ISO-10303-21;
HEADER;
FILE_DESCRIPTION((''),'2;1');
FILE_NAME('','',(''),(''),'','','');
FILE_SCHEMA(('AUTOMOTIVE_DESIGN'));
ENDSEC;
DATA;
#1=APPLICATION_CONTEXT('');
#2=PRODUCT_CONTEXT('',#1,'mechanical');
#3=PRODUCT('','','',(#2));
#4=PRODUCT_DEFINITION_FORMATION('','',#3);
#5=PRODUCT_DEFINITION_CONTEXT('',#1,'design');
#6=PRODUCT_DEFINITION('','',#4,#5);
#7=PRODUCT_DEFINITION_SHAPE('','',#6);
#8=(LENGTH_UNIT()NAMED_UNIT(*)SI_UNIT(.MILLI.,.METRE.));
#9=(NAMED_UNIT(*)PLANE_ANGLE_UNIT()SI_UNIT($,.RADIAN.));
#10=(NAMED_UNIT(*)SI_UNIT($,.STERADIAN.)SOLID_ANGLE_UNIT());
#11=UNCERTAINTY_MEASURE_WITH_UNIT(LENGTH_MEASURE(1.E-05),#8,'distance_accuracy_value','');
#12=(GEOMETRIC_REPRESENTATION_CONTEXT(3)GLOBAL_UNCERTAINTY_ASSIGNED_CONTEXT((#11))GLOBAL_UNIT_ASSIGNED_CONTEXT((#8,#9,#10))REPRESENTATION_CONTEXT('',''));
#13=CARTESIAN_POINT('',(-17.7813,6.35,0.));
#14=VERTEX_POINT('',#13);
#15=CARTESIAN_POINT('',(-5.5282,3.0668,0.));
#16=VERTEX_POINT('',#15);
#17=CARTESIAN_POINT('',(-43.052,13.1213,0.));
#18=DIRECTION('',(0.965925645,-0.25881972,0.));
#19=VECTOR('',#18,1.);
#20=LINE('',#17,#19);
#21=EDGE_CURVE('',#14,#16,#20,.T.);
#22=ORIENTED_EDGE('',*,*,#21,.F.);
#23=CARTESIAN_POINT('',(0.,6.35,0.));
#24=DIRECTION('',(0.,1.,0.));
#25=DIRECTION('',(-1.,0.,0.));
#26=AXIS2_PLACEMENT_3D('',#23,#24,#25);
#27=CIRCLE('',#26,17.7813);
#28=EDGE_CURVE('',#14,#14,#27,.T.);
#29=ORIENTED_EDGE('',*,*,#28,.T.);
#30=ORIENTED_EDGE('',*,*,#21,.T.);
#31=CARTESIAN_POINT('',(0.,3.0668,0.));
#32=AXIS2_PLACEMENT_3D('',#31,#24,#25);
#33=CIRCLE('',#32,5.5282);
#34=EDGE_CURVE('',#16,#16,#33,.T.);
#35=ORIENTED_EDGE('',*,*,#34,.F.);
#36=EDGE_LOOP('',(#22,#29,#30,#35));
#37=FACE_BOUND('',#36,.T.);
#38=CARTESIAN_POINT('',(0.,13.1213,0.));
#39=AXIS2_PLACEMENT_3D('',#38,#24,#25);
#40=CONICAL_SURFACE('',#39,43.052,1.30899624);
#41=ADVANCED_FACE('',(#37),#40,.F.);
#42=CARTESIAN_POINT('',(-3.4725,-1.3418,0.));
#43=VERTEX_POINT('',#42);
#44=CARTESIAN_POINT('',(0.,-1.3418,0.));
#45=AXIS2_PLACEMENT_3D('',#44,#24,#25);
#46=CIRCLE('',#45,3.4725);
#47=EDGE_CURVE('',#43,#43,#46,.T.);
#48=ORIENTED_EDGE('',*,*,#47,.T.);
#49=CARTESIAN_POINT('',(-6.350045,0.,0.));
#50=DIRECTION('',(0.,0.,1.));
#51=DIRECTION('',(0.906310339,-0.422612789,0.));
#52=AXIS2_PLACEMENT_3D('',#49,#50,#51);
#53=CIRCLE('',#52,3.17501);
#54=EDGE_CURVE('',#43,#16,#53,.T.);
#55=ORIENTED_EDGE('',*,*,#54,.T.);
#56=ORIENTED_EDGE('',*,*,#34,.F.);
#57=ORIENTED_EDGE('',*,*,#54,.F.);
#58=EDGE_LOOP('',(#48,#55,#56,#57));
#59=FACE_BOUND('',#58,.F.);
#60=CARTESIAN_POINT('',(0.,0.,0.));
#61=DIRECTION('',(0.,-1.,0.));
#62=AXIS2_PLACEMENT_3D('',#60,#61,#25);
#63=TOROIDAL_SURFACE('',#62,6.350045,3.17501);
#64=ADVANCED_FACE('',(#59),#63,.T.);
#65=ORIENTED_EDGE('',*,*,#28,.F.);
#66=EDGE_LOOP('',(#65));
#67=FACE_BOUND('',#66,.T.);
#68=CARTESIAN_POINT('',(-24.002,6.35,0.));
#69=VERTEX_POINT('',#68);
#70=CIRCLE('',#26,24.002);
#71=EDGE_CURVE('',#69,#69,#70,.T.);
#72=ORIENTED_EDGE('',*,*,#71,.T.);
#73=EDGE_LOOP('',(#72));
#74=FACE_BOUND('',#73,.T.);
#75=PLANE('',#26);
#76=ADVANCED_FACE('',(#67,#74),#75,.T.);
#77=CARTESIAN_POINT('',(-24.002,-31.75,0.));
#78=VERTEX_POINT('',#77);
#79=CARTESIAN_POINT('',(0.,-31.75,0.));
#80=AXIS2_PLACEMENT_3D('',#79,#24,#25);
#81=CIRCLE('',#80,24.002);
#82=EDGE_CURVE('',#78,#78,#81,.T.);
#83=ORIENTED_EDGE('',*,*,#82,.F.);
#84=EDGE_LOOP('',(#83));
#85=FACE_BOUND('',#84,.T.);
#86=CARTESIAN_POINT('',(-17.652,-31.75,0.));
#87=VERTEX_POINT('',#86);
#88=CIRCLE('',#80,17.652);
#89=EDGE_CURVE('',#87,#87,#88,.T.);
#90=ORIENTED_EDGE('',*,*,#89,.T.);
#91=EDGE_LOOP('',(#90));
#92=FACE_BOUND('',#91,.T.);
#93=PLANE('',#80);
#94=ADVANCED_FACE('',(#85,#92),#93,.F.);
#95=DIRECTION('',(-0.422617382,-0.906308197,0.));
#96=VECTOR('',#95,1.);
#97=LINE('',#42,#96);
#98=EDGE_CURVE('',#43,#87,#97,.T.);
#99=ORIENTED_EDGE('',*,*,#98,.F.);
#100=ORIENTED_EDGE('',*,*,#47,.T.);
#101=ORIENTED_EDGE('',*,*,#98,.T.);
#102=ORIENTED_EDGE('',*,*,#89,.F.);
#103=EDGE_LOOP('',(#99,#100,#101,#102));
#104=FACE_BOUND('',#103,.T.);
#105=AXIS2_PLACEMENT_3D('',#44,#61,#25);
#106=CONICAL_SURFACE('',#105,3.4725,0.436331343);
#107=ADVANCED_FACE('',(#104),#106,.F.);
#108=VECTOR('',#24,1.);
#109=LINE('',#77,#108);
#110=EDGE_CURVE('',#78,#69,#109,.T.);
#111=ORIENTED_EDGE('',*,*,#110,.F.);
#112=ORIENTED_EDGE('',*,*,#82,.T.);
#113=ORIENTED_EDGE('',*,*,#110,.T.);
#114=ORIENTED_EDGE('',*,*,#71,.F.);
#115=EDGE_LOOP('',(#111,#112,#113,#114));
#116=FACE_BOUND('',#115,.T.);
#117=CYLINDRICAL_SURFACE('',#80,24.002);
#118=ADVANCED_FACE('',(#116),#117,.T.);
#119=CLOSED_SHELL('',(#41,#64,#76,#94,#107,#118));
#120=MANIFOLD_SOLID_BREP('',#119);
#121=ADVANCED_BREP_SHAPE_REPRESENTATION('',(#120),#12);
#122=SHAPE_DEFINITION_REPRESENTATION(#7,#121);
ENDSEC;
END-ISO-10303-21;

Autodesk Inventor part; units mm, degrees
ref_plane "YZ Plane" through (0, 0, 0) normal (1, 0, 0) x (0, 1, 0)
ref_plane "XZ Plane" through (0, 0, 0) normal (0, 1, 0) x (-1, 0, 0)
ref_plane "XY Plane" through (0, 0, 0) normal (0, 0, 1) x (1, 0, 0)
sketch "Sketch1" plane through (0, 0, 0) normal (0, 0, 1) x (1, 0, 0)
  line L0 (-24.002, 6.35) -> (-17.7813, 6.35)
  line L1 (-43.052, 13.1213) -> (-5.5282, 3.0668)
  line L2 (-3.4725, -1.3418) -> (-39.877, -79.4117)
  line L3 (-17.652, -31.75) -> (-24.002, -31.75)
  line L4 (-24.002, -31.75) -> (-24.002, 6.35)
  arc A0 (-3.4725, -1.3418) -> (-5.5282, 3.0668) centre (-6.35, 0) ccw
  line L5 (-30.352, 0.4213) -> (-30.352, -52.1764)
  line L6 (-30.352, -52.1764) -> (-27.177, -52.1764)
  line L7 (-30.352, 0.4213) -> (-43.052, 0.4213)
  line L8 (-43.052, 0.4213) -> (-43.052, 5.1238)
  line L9 (-43.052, 5.1238) -> (-43.052, 13.1213)
  line L10 (-43.052, 0.4213) -> (-43.052, -5.9287)
  line L11 (-43.052, -5.9287) -> (-36.702, -5.9287)
  line L12 (-36.702, -5.9287) -> (-36.702, -64.1466)
  line L13 (-36.702, -64.1466) -> (-32.7588, -64.1466)
  line L14 (-39.877, -5.9287) -> (-39.877, -9.1037)
  line L15 (-39.877, -9.1037) -> (-43.052, -9.1037)
  line L16 (-43.052, -9.1037) -> (-43.052, -21.8037)
  line L17 (-43.052, -21.8037) -> (-36.702, -21.8037)
  line L18 (-43.052, -51.4466) -> (-43.052, -79.4117)
  line L19 (-43.052, -51.4466) -> (-36.702, -51.4466)
  line L20 (-43.052, -79.4117) -> (-39.877, -79.4117)
  line L21 (0, -97.9183) -> (0, 31.6279) projected
  point P0 (0, 0)
  dimension "d0" = 6.35
  dimension "d1" = 25
  dimension "d2" = 15
  dimension "d4" = 6.35
  dimension "d5" = 38.1
  dimension "d6" = 31.75
  dimension "d7" = 6.35
  dimension "d11" = 6.35
  dimension "d13" = 12.7
  dimension "d15" = 6.35
  dimension "d16" = 6.35
  dimension "d18" = 3.175
  dimension "d19" = 12.7
  dimension "d20" = 3.175
  dimension "d21" = 6.35
  dimension "d22" = 3.175
  dimension "d23" = 3.175
  dimension "d24" = 6.35
  dimension "d25" = 12.7
  dimension "d26" = 58.2179
  dimension "d27" = 12.7
revolve "Revolution1" add sketch "Sketch1" angle 360 about axis through (0, -10, 0) along (0, 1, 0) contours L0 L1 A0 L2 L3 L4
properties part number "graphite" material "GFRC"
